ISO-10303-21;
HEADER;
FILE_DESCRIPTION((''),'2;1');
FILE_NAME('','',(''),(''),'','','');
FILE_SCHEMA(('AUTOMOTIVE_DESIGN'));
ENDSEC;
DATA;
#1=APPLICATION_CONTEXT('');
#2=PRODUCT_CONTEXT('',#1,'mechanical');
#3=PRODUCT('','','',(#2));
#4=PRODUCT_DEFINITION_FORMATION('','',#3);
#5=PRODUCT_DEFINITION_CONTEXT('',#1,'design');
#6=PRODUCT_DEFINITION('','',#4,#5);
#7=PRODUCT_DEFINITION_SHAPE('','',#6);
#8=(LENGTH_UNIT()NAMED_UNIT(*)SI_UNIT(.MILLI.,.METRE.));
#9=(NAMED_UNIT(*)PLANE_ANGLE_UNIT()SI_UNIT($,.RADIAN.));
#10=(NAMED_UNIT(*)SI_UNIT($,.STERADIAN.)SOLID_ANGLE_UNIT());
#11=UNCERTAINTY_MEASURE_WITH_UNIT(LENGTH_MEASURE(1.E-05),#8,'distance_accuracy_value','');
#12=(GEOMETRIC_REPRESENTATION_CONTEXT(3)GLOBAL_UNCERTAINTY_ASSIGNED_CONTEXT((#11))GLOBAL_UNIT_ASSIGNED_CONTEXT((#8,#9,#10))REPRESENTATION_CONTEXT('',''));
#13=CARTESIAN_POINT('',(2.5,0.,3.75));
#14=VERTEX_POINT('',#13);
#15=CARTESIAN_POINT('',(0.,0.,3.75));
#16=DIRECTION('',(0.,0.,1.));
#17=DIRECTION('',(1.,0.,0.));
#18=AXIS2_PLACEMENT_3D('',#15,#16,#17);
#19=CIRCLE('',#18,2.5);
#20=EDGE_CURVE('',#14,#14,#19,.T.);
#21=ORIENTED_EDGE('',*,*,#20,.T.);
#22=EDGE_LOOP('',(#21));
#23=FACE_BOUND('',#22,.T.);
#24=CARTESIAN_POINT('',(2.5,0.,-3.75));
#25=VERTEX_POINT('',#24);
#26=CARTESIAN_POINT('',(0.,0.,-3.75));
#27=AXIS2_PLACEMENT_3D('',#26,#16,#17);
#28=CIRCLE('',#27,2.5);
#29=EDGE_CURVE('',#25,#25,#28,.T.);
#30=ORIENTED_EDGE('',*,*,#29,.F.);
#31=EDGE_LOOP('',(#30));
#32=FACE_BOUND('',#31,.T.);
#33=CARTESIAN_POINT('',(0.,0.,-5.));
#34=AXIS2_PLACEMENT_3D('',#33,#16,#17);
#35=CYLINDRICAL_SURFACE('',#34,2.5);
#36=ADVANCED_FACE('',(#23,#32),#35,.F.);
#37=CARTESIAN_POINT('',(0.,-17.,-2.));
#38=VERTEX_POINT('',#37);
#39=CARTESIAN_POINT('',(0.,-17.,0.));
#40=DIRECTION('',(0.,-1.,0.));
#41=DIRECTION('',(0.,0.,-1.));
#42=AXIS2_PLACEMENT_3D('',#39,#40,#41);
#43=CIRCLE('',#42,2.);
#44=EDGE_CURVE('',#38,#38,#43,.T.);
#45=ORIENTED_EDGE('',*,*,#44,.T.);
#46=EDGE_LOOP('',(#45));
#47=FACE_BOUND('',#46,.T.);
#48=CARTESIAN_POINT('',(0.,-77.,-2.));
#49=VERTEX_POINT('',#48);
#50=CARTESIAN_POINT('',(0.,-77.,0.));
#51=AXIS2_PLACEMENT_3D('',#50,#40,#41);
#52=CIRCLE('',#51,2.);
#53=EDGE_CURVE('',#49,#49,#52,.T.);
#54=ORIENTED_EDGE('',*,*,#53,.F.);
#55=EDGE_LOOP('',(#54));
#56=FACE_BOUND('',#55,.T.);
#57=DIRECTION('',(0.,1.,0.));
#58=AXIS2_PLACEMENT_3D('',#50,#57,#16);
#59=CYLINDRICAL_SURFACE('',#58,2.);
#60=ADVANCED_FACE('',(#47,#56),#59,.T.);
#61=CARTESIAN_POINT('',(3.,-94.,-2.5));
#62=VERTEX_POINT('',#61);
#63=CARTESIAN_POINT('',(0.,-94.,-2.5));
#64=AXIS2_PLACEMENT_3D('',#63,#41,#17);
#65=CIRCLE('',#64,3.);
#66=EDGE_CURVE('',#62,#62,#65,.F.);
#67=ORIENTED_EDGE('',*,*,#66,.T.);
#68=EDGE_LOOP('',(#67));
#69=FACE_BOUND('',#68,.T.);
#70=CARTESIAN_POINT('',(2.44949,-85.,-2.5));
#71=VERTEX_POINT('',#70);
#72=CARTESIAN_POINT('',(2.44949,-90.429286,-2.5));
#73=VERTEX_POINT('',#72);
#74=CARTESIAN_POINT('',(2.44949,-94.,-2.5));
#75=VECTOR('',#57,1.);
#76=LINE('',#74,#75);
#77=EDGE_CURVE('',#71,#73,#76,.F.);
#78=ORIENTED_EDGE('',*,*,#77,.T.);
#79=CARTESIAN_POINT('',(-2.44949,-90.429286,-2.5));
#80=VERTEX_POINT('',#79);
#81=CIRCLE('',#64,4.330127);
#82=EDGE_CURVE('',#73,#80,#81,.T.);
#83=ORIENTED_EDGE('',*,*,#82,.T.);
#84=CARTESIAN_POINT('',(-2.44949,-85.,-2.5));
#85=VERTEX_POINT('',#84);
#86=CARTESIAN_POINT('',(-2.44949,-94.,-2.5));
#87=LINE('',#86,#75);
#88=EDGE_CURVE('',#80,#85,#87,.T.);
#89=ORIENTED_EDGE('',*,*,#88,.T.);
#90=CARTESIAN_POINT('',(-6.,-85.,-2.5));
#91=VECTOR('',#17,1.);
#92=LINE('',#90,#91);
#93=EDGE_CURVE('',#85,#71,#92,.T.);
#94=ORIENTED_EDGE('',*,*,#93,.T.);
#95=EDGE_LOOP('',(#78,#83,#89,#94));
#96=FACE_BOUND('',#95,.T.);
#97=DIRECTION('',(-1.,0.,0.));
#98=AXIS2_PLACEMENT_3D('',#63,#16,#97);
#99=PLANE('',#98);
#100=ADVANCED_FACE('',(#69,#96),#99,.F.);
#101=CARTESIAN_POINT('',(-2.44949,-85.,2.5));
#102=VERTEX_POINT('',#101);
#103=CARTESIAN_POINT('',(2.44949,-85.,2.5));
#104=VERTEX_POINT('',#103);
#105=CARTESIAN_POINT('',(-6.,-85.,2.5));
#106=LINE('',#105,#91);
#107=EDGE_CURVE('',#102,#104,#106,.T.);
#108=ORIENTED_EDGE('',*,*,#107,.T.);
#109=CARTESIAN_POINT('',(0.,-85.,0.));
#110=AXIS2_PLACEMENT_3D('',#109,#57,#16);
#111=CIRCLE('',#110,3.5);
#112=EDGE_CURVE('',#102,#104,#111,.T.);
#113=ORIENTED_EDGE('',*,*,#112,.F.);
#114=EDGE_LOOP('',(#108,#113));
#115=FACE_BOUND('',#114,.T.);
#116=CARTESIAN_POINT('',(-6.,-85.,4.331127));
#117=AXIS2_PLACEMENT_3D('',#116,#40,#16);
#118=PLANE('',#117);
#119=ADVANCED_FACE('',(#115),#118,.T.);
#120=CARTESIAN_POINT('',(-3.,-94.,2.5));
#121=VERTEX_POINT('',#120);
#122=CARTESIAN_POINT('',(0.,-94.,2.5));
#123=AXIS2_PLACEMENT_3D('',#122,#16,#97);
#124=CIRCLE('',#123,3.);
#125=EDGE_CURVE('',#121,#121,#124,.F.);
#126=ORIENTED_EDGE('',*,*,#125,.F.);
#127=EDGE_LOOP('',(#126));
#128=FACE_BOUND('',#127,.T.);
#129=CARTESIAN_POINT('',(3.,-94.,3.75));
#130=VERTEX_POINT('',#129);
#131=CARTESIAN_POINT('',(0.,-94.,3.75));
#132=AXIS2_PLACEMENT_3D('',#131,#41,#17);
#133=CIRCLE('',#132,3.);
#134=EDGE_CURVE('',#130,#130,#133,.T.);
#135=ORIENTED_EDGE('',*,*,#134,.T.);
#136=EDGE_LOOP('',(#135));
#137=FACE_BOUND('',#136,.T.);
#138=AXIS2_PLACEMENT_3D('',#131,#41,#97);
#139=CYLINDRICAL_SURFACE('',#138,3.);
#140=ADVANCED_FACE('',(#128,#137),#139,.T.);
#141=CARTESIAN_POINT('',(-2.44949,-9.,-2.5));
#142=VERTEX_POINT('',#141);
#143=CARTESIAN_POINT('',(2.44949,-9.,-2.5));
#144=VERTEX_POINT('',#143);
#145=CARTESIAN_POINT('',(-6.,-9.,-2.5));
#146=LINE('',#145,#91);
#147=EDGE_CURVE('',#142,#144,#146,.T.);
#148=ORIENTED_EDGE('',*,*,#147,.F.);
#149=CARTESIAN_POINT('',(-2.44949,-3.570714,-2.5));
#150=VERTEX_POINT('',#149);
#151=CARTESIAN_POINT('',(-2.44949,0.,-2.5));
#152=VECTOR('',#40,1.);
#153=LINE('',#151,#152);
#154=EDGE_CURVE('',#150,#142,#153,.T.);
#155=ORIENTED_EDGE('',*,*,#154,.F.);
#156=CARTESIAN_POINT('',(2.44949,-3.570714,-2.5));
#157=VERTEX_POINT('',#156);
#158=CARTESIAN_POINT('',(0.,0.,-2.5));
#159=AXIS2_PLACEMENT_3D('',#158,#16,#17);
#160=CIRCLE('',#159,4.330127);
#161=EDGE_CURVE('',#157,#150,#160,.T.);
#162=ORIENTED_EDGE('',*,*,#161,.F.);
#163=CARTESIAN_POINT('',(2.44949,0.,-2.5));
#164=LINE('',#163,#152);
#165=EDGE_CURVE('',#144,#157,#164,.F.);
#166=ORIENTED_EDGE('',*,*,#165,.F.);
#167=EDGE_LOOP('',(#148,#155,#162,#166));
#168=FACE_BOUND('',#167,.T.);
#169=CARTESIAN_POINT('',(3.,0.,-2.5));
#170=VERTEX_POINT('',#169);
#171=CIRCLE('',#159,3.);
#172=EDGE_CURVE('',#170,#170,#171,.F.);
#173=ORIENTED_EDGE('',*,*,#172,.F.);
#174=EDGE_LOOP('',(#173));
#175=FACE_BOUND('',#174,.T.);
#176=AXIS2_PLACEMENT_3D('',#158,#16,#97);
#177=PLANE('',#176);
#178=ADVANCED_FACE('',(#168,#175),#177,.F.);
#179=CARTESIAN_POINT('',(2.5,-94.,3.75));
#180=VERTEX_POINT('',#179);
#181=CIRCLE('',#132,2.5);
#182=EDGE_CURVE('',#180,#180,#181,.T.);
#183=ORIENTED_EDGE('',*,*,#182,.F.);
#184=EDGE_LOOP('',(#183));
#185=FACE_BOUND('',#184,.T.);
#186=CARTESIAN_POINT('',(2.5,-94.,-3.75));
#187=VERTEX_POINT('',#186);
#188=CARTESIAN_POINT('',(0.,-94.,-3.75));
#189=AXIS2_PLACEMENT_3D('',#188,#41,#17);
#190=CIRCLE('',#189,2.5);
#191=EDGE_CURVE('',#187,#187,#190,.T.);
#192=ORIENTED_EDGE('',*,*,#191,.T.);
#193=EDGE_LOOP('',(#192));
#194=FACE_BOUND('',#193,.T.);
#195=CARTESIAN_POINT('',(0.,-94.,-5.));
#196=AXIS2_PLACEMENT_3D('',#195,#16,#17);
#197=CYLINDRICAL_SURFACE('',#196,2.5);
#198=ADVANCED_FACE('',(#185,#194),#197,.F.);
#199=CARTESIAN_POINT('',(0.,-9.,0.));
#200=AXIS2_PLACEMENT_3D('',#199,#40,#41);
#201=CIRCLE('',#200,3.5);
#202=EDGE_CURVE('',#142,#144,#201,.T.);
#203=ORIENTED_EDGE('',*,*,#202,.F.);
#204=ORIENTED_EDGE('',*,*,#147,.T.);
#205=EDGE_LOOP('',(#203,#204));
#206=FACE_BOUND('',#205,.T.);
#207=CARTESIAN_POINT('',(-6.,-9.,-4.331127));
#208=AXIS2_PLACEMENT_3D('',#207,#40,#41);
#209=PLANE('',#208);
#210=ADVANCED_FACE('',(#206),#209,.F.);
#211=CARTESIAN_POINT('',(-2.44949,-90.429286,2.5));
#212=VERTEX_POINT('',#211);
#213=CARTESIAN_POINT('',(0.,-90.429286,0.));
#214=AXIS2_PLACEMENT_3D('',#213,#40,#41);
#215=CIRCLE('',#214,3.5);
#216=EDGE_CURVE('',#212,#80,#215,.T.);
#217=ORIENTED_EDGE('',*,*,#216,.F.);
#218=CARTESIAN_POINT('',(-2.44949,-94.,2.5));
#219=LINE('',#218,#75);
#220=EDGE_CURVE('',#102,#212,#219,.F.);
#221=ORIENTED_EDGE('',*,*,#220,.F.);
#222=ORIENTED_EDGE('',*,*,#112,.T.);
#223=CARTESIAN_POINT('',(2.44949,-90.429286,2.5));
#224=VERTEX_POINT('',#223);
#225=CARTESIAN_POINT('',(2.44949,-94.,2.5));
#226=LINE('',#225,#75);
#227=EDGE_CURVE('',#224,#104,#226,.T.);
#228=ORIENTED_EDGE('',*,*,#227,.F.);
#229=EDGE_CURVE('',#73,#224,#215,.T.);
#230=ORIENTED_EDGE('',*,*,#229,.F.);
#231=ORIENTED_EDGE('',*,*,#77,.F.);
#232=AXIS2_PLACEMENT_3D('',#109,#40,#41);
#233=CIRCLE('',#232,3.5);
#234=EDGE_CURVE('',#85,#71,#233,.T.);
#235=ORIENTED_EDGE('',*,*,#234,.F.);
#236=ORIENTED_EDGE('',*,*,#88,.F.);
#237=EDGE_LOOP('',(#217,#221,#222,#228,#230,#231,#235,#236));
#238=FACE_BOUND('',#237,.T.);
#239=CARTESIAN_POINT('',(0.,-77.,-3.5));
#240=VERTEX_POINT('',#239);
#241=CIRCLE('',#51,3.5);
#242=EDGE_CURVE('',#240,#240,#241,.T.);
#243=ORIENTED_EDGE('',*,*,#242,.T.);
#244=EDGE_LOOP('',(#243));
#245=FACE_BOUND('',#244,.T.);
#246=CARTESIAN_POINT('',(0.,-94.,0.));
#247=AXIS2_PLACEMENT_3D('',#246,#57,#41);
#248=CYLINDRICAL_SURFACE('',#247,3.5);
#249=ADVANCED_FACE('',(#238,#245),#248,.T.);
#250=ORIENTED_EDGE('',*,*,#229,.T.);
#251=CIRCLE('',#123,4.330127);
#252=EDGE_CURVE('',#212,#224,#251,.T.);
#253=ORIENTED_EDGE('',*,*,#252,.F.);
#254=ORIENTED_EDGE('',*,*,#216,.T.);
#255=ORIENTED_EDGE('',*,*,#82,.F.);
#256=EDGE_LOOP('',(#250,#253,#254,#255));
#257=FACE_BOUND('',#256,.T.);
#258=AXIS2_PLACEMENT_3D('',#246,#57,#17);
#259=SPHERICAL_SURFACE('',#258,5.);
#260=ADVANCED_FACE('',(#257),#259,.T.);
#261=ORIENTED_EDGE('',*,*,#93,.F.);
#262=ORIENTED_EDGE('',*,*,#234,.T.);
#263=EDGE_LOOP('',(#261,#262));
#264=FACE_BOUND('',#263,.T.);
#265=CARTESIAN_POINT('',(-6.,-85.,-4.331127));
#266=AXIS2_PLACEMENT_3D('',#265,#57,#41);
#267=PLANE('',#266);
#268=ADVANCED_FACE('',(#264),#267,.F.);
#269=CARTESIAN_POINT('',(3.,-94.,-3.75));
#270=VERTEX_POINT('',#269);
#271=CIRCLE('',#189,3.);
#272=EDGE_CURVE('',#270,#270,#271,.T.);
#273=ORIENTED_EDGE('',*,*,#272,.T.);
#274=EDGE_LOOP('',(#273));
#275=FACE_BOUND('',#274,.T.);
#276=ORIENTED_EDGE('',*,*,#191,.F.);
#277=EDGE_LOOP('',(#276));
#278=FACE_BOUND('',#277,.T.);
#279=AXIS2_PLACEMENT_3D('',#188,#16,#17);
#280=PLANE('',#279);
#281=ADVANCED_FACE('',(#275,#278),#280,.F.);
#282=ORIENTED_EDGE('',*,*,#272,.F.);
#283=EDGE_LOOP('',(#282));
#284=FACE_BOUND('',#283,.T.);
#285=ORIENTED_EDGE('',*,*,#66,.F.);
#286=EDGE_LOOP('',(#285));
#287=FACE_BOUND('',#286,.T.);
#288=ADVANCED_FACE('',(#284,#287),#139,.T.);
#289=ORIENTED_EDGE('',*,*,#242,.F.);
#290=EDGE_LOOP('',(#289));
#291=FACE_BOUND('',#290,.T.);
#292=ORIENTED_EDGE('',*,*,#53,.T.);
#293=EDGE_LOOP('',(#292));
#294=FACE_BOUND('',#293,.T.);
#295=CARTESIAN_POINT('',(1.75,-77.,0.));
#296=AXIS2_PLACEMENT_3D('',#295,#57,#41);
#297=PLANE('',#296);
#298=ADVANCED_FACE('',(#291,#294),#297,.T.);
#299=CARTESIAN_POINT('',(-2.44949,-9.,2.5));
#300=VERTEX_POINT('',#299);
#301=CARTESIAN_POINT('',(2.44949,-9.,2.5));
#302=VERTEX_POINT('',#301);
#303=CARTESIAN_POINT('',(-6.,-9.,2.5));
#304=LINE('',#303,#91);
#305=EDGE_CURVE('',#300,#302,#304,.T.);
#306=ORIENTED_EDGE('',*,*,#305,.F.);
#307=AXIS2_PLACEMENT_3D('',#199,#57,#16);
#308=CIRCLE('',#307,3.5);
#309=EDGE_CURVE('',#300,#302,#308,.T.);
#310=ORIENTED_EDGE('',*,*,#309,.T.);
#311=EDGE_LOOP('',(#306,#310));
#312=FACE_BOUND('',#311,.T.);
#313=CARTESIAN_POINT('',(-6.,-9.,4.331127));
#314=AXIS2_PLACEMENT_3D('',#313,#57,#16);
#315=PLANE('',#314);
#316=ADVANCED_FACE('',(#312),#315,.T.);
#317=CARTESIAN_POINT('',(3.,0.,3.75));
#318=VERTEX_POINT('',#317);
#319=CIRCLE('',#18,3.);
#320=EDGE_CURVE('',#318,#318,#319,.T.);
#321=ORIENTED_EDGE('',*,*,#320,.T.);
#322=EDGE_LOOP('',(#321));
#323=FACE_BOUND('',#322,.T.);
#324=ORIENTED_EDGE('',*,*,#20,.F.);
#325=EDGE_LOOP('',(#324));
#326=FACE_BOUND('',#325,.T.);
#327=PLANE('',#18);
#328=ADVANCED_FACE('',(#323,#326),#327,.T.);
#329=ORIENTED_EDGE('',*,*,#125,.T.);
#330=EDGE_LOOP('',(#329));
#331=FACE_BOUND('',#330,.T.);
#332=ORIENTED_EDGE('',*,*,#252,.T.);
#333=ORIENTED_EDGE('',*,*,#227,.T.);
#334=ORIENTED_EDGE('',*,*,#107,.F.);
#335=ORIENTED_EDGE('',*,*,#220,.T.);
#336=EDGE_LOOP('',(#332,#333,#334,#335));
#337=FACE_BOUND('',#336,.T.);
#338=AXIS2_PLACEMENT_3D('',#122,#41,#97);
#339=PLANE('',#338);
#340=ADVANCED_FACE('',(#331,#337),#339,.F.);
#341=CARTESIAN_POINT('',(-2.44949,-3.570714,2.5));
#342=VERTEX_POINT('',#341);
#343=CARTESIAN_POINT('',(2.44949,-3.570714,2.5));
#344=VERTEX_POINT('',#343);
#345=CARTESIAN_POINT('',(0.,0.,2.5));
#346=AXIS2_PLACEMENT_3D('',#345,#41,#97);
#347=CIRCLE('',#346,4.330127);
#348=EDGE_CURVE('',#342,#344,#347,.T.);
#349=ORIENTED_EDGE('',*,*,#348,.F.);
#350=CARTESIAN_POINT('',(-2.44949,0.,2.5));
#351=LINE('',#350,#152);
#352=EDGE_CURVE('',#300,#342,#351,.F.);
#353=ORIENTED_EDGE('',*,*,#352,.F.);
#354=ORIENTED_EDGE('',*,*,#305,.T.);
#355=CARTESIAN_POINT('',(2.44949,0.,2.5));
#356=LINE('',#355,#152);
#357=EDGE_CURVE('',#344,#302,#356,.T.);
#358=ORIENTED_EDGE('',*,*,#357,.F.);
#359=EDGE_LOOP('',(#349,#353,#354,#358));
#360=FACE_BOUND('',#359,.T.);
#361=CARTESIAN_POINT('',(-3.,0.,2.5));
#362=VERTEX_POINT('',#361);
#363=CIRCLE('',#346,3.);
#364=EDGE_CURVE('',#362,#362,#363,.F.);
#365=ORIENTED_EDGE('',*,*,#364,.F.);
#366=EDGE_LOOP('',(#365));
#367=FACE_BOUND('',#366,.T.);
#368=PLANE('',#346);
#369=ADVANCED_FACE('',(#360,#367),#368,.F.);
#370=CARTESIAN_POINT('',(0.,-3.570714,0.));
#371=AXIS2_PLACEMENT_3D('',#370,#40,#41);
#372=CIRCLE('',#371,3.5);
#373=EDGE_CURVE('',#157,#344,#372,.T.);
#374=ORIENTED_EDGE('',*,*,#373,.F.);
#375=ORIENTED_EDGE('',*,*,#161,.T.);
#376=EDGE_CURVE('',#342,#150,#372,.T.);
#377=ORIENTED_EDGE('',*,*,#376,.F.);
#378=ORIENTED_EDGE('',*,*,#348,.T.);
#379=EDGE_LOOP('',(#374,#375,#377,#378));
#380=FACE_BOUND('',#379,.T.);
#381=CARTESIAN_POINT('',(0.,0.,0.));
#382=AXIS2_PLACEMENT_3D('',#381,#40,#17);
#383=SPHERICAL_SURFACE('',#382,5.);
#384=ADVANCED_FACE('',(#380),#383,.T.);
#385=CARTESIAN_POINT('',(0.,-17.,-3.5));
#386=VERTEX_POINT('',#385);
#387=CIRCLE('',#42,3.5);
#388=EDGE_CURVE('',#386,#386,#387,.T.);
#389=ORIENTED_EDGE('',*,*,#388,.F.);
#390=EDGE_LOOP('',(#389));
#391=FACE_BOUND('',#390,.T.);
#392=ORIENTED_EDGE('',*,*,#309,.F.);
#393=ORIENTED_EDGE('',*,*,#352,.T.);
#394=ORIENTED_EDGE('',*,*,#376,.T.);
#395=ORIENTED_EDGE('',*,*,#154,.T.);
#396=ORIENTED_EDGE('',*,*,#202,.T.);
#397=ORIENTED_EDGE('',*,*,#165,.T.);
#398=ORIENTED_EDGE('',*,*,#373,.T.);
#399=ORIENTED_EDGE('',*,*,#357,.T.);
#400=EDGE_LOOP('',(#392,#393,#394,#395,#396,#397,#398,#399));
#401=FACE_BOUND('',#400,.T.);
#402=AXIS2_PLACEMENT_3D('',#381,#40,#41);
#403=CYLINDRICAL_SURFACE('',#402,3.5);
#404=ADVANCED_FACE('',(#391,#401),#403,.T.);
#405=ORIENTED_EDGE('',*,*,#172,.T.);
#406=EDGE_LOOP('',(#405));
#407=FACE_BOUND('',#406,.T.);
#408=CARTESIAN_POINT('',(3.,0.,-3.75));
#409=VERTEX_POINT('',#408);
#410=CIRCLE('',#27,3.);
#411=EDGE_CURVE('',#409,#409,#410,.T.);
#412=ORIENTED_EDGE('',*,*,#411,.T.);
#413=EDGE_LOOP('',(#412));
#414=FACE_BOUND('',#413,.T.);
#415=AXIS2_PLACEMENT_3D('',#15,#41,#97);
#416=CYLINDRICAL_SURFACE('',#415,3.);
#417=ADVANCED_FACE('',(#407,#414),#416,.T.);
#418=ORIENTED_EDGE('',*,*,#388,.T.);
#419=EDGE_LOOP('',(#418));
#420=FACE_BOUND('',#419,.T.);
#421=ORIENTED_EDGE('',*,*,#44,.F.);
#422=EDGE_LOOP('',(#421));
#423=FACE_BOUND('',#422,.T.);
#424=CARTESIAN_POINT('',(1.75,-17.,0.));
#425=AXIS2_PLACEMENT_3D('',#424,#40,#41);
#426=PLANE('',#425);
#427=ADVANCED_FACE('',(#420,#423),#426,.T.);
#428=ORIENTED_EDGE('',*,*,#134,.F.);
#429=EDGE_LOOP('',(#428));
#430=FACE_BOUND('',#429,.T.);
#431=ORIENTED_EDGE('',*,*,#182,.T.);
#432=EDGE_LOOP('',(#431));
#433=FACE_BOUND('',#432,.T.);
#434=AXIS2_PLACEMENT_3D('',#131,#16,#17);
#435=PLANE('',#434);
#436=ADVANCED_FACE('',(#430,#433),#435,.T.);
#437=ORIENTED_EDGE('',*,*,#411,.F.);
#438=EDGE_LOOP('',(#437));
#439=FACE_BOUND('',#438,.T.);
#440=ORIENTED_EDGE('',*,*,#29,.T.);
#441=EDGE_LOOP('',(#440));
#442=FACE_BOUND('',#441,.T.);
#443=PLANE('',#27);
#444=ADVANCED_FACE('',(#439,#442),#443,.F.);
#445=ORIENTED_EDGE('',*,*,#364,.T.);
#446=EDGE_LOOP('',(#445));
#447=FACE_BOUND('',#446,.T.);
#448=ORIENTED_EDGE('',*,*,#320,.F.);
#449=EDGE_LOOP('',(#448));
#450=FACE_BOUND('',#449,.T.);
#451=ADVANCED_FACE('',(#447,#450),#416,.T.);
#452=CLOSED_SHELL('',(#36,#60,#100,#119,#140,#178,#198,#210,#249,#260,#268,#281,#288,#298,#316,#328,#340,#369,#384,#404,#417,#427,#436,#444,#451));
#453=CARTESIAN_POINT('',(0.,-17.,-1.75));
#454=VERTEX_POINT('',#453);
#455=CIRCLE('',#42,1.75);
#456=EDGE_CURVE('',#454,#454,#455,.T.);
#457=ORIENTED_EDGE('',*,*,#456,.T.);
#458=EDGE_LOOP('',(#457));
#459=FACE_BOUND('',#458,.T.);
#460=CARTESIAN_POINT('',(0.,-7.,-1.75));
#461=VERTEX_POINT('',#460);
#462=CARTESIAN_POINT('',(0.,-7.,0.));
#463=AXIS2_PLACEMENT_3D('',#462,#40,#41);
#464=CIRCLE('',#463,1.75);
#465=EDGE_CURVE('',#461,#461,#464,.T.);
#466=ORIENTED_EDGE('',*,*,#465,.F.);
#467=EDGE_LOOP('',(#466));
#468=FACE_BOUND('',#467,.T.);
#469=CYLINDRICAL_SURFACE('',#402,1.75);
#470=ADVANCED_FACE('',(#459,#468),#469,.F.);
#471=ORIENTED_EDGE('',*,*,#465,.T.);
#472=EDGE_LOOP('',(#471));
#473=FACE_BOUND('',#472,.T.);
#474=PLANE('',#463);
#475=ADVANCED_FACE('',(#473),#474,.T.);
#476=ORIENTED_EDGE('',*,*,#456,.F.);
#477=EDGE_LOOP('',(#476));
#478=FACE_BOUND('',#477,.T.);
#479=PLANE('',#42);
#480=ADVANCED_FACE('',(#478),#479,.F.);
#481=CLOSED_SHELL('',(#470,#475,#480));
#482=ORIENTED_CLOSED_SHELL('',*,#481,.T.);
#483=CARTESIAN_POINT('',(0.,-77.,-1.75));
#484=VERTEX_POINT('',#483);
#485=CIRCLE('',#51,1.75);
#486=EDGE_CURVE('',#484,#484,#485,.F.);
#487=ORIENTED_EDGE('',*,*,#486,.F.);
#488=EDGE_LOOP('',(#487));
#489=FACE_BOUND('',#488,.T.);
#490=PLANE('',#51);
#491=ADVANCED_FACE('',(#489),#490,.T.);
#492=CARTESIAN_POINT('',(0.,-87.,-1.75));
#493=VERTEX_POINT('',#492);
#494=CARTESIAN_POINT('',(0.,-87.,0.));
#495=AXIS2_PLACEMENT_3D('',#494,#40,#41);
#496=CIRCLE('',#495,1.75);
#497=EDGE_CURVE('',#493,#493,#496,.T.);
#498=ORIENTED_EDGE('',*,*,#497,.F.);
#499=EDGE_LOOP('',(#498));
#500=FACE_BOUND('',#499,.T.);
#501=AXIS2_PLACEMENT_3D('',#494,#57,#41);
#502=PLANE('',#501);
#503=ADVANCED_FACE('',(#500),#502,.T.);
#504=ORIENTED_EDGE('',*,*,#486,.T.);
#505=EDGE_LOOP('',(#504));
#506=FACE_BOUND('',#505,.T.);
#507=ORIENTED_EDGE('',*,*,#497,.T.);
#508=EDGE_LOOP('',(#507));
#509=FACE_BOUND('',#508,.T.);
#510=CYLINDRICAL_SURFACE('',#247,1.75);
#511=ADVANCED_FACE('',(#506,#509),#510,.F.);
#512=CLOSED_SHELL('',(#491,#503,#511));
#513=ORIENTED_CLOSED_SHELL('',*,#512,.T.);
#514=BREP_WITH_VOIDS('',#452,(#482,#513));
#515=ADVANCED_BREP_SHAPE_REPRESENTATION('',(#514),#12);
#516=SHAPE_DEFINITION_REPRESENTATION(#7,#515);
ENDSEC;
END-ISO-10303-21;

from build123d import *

# Parameters (mm, degrees)
SKETCH2_R               = 2.5
CUT_EXTRUDE1_DEPTH      = 6
CUT_EXTRUDE1_DEPTH_BACK = 6
SKETCH4_W               = 12
SKETCH4_H               = 18
CUT_EXTRUDE2_DEPTH      = 1.830127
SKETCH3_R               = 3
SKETCH3_R_2             = 2.5
EXTRUDE_THIN1_DEPTH     = 3.75
SKETCH5_R               = 2
BOSS_EXTRUDE1_DEPTH     = 30


with BuildPart() as part:
    # Sketch1 → Revolve1 (revolve)
    with BuildSketch(Plane.XY):
        with BuildLine():
            Line((0, 0), (0, -7))
            Line((0, -7), (1.75, -7))
            Line((1.75, -7), (1.75, -17))
            Line((1.75, -17), (3.5, -17))
            Line((3.5, -17), (3.5, -3.570714214))
            ThreePointArc((3.5, -3.570714214), (4.628907596, 1.890294809), (0, 5))
            Line((0, 5), (0, 0))
        make_face()
    revolve(axis=Axis((0, 0, 0), (0, 1, 0)))

    # Sketch2 → Cut-Extrude1 (cut, two sides)
    with BuildSketch(Plane.XY) as cut_extrude1_sk:
        Circle(SKETCH2_R)
    extrude(amount=CUT_EXTRUDE1_DEPTH, mode=Mode.SUBTRACT)
    extrude(cut_extrude1_sk.sketch, amount=-CUT_EXTRUDE1_DEPTH_BACK, mode=Mode.SUBTRACT)

    # Sketch4 → Cut-Extrude2 (cut)
    with BuildSketch(Plane.XY.offset(2.5)):
        Rectangle(SKETCH4_W, SKETCH4_H)
    cut_extrude2 = extrude(amount=CUT_EXTRUDE2_DEPTH, mode=Mode.SUBTRACT)

    # Mirror1: Cut-Extrude2 across plane
    add(cut_extrude2.mirror(Plane.XY), mode=Mode.SUBTRACT)

    # Sketch3 → Extrude-Thin1 (add, symmetric)
    with BuildSketch(Plane.XY):
        Circle(SKETCH3_R)
        Circle(SKETCH3_R_2, mode=Mode.SUBTRACT)
    extrude(amount=EXTRUDE_THIN1_DEPTH, both=True)


with BuildPart() as body_2:
    # Mirror3: mirrored copy
    add(part.part.mirror(Plane(origin=(0, -47, 0), x_dir=(0, 0, 1), z_dir=(0, -1, 0))))


with BuildPart() as part_1:
    add(part.part)

    add(body_2.part)  # Boss-Extrude1 merges body 2
    # Sketch5 → Boss-Extrude1 (add, symmetric)
    with BuildSketch(Plane(origin=(0, -47, 0), x_dir=(-1, 0, 0), z_dir=(0, -1, 0))):
        Circle(SKETCH5_R)
    extrude(amount=BOSS_EXTRUDE1_DEPTH, both=True)


solid = part_1.part
